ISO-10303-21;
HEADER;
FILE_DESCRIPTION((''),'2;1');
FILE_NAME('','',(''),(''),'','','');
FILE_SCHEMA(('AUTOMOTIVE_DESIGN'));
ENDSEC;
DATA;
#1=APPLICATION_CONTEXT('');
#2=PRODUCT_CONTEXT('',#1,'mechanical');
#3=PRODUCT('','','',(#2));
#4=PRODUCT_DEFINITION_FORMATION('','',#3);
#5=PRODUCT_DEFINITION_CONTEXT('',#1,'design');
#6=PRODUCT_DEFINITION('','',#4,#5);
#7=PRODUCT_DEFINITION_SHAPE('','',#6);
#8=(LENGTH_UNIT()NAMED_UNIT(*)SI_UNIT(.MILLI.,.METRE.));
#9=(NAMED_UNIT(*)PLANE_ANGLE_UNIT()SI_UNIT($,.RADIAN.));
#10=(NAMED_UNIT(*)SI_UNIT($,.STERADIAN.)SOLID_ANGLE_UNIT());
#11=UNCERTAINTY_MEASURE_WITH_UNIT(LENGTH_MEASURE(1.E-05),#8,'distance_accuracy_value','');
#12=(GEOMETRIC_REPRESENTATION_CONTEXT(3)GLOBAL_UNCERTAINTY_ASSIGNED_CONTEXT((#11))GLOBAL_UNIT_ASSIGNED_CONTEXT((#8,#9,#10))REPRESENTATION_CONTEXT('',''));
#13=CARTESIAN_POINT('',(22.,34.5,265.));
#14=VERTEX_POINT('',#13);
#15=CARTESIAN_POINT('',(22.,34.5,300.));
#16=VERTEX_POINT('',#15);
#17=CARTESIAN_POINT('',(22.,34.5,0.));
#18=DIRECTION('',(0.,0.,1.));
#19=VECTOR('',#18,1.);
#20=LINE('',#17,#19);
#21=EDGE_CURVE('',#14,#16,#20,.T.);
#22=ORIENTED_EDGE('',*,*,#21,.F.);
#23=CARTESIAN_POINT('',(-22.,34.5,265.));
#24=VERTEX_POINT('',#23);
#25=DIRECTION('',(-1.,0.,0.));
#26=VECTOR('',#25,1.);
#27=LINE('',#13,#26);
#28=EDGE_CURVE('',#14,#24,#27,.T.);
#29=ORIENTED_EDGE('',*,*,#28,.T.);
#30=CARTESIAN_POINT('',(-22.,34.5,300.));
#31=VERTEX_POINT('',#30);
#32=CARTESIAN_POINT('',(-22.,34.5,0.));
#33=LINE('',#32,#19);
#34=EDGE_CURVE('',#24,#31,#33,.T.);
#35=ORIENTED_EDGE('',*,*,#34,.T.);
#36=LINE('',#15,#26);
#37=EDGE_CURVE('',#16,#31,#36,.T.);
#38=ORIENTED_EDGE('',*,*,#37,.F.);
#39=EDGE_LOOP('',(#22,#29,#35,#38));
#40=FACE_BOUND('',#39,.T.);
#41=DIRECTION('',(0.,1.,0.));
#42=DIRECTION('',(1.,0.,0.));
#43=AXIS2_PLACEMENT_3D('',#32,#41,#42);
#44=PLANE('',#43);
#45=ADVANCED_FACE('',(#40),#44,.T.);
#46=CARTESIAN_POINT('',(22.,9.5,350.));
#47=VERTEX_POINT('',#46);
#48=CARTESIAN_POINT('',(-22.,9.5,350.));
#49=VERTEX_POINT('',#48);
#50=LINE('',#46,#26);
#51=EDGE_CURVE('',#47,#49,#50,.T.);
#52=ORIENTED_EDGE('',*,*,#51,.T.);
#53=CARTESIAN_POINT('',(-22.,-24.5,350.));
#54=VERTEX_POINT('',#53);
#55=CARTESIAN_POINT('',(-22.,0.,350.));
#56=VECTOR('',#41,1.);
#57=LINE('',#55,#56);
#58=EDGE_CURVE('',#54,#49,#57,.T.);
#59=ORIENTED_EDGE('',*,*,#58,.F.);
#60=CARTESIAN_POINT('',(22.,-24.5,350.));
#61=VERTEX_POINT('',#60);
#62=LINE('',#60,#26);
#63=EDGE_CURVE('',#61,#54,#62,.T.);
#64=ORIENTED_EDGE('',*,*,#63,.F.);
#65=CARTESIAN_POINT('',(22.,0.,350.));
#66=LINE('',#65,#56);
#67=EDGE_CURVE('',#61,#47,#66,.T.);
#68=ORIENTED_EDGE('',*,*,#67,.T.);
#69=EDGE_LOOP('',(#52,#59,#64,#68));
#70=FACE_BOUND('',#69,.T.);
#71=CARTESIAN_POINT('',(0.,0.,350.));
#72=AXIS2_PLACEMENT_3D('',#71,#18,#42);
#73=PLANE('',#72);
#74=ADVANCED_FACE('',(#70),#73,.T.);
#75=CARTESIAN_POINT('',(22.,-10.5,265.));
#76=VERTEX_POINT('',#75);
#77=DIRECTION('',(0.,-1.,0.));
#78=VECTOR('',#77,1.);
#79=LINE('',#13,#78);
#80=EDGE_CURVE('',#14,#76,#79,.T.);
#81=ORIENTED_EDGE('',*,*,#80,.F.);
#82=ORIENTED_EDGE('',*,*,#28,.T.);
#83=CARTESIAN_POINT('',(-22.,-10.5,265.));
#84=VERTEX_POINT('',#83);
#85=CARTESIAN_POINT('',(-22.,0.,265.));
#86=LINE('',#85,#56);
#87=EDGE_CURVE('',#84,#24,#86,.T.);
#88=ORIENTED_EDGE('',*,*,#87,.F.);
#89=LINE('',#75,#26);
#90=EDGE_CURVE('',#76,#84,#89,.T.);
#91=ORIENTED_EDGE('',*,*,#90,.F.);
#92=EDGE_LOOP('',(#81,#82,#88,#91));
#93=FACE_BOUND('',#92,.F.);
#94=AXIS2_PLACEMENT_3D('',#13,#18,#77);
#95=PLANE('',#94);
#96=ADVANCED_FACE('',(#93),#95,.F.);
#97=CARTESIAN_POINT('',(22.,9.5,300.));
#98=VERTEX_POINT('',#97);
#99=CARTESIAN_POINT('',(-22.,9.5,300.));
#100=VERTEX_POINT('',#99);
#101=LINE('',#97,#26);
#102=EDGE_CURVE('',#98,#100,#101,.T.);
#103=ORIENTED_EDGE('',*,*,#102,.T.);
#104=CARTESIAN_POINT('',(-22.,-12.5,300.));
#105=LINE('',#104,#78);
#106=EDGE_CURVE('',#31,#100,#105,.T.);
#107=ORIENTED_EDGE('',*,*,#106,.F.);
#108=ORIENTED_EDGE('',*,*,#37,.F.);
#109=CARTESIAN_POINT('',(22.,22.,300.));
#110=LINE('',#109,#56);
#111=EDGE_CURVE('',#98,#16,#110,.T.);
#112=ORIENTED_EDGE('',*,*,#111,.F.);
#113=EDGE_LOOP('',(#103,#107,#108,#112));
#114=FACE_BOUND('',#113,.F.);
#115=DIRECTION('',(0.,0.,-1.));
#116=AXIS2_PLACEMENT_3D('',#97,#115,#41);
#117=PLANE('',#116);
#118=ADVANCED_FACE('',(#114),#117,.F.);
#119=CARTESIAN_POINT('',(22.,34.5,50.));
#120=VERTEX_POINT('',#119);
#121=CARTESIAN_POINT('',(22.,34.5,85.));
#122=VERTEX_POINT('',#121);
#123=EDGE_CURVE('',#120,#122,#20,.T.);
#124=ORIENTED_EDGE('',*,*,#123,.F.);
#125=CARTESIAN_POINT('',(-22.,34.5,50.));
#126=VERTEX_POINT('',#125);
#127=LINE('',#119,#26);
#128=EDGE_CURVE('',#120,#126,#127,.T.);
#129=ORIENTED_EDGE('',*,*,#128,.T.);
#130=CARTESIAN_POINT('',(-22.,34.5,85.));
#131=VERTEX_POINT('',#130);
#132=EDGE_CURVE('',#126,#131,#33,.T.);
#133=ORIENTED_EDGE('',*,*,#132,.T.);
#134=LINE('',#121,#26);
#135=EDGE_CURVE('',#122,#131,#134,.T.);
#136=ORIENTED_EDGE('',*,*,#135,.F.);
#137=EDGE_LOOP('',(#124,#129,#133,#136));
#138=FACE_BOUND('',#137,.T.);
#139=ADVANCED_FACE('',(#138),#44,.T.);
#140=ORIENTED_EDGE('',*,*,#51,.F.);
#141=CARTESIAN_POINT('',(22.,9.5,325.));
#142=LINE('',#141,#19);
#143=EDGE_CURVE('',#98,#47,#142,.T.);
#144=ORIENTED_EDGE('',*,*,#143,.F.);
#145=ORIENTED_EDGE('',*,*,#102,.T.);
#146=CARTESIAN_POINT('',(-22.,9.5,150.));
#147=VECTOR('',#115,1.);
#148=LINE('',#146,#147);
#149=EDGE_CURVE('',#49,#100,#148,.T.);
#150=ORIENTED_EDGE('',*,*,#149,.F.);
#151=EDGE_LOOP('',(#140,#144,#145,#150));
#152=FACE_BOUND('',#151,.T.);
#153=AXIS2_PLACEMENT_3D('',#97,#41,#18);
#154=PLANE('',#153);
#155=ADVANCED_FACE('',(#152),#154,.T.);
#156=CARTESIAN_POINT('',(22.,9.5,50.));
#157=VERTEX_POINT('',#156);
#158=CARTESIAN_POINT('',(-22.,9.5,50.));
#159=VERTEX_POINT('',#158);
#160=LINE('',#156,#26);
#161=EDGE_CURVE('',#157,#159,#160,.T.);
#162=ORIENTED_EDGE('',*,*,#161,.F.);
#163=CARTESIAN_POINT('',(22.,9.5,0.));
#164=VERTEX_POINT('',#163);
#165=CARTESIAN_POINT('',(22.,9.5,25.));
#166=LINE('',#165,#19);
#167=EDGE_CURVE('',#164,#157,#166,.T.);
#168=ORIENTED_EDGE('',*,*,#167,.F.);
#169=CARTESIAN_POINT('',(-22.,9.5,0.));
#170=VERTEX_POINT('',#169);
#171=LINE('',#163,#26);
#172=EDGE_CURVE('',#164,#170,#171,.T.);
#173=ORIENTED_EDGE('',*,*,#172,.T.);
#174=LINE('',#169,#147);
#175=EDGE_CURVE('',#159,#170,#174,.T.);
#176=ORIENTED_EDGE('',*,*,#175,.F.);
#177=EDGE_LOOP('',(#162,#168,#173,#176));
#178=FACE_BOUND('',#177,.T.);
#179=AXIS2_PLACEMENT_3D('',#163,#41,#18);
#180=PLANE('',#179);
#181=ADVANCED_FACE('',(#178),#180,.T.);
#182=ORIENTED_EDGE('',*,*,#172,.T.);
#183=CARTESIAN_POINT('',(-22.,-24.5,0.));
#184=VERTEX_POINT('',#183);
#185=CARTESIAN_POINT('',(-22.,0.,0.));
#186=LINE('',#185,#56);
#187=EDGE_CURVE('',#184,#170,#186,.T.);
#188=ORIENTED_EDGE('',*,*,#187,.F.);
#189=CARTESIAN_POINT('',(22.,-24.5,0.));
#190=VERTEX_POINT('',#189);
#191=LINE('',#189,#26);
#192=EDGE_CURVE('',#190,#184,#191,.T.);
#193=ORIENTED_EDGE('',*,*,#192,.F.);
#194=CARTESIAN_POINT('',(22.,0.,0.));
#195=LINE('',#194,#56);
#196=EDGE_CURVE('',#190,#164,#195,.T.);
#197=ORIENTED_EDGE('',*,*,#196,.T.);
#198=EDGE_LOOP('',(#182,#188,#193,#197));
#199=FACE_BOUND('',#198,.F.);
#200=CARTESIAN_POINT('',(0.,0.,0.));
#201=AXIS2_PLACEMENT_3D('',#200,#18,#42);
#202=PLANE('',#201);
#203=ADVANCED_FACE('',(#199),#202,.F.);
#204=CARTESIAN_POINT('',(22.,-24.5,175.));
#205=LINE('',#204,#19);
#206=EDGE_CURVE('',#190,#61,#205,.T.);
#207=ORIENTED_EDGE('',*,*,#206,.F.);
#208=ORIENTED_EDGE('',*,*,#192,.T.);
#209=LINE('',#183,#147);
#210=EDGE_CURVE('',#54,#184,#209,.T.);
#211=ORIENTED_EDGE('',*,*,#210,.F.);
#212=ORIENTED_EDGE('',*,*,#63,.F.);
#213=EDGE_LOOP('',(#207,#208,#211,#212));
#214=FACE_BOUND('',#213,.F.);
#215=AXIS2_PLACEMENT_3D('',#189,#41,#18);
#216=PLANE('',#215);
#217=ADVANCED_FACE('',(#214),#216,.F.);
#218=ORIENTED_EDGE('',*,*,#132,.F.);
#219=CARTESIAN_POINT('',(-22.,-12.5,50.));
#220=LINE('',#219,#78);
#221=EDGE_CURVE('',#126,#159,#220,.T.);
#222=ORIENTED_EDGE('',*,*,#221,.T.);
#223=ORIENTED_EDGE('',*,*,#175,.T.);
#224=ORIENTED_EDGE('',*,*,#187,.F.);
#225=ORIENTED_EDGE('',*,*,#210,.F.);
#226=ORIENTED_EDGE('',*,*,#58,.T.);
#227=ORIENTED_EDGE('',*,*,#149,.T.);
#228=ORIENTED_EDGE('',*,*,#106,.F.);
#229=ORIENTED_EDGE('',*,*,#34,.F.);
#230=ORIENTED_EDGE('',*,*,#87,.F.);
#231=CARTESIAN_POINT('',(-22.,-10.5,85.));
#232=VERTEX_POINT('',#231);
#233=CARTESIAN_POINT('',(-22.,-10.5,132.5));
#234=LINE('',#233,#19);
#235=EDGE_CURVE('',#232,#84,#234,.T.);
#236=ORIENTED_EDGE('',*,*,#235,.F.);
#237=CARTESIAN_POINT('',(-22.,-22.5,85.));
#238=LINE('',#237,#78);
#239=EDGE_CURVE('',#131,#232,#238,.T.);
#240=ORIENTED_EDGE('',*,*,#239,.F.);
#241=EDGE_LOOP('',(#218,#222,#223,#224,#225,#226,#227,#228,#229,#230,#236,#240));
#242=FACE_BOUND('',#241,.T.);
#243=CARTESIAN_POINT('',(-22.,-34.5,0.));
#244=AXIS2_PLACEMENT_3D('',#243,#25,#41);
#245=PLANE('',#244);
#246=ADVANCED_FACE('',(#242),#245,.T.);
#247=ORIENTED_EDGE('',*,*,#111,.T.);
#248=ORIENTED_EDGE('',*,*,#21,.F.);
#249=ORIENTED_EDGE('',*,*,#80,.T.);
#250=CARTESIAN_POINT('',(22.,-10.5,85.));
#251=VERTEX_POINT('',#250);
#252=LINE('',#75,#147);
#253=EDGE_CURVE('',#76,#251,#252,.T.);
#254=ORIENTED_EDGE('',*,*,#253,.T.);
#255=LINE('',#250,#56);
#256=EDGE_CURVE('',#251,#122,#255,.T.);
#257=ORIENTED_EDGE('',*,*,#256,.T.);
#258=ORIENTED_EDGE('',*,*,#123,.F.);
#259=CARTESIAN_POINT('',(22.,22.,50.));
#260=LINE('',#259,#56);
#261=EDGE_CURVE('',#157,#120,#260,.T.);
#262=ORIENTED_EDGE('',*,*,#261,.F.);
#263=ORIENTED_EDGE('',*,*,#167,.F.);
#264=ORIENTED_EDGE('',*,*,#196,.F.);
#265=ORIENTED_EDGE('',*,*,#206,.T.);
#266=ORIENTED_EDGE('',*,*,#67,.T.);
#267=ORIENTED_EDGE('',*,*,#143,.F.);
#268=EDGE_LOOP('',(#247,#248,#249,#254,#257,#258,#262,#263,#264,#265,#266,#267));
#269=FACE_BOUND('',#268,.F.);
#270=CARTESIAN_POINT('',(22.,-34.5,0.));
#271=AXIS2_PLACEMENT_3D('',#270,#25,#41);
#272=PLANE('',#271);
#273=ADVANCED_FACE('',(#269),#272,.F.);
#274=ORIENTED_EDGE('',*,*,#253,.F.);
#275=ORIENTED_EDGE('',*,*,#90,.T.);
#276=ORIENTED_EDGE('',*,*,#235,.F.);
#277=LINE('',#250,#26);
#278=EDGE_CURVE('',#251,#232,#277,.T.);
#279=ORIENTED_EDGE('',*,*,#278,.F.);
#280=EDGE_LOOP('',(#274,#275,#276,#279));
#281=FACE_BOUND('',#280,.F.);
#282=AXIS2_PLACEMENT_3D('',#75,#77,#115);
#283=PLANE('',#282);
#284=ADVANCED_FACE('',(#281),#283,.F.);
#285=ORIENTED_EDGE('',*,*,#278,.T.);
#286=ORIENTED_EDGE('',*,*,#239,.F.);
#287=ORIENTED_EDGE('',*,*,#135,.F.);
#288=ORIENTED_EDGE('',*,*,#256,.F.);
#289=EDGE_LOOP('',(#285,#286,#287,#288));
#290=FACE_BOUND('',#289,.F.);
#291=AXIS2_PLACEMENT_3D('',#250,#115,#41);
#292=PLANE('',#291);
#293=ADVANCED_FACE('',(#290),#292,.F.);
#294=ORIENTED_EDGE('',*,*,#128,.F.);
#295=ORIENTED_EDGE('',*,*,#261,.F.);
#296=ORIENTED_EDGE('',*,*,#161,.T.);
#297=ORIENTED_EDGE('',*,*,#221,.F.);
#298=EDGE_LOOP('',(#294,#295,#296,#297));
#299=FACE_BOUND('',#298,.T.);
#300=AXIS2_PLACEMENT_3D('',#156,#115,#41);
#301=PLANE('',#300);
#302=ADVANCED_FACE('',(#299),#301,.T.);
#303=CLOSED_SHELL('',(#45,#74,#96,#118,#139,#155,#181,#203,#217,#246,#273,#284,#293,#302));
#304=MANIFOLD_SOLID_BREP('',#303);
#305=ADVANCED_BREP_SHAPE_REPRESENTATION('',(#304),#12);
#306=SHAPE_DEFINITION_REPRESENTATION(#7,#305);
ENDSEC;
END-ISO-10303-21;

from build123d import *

# Parameters (mm, degrees)
F0_W     = 44
F0_H     = 69
F1_DEPTH = 350
F2_W     = 25
F2_H     = 50
F3_DEPTH = 44.001
F4_W     = 10
F4_H     = 350
F5_DEPTH = 100


with BuildPart() as f1:
    # F0 (on Top) → F1 (new body)
    with BuildSketch(Plane.XY):
        Rectangle(F0_W, F0_H)
    extrude(amount=F1_DEPTH)

    # F2 (on face) → F3 (cut, through all)
    with BuildSketch(Plane.YZ.offset(22)):
        Polygon((-10.5, 85), (34.5, 85), (34.5, 175), (34.5, 265), (-10.5, 265), (-10.5, 175), align=None)
        with Locations((22, 25)):
            Rectangle(F2_W, F2_H)
        with Locations((22, 325)):
            Rectangle(F2_W, F2_H)
    extrude(amount=-F3_DEPTH, mode=Mode.SUBTRACT)

    # F4 (on face) → F5 (cut)
    with BuildSketch(Plane.YZ.offset(22)):
        with Locations((-29.5, 175)):
            Rectangle(F4_W, F4_H)
    extrude(amount=-F5_DEPTH, mode=Mode.SUBTRACT)


solid = f1.part
